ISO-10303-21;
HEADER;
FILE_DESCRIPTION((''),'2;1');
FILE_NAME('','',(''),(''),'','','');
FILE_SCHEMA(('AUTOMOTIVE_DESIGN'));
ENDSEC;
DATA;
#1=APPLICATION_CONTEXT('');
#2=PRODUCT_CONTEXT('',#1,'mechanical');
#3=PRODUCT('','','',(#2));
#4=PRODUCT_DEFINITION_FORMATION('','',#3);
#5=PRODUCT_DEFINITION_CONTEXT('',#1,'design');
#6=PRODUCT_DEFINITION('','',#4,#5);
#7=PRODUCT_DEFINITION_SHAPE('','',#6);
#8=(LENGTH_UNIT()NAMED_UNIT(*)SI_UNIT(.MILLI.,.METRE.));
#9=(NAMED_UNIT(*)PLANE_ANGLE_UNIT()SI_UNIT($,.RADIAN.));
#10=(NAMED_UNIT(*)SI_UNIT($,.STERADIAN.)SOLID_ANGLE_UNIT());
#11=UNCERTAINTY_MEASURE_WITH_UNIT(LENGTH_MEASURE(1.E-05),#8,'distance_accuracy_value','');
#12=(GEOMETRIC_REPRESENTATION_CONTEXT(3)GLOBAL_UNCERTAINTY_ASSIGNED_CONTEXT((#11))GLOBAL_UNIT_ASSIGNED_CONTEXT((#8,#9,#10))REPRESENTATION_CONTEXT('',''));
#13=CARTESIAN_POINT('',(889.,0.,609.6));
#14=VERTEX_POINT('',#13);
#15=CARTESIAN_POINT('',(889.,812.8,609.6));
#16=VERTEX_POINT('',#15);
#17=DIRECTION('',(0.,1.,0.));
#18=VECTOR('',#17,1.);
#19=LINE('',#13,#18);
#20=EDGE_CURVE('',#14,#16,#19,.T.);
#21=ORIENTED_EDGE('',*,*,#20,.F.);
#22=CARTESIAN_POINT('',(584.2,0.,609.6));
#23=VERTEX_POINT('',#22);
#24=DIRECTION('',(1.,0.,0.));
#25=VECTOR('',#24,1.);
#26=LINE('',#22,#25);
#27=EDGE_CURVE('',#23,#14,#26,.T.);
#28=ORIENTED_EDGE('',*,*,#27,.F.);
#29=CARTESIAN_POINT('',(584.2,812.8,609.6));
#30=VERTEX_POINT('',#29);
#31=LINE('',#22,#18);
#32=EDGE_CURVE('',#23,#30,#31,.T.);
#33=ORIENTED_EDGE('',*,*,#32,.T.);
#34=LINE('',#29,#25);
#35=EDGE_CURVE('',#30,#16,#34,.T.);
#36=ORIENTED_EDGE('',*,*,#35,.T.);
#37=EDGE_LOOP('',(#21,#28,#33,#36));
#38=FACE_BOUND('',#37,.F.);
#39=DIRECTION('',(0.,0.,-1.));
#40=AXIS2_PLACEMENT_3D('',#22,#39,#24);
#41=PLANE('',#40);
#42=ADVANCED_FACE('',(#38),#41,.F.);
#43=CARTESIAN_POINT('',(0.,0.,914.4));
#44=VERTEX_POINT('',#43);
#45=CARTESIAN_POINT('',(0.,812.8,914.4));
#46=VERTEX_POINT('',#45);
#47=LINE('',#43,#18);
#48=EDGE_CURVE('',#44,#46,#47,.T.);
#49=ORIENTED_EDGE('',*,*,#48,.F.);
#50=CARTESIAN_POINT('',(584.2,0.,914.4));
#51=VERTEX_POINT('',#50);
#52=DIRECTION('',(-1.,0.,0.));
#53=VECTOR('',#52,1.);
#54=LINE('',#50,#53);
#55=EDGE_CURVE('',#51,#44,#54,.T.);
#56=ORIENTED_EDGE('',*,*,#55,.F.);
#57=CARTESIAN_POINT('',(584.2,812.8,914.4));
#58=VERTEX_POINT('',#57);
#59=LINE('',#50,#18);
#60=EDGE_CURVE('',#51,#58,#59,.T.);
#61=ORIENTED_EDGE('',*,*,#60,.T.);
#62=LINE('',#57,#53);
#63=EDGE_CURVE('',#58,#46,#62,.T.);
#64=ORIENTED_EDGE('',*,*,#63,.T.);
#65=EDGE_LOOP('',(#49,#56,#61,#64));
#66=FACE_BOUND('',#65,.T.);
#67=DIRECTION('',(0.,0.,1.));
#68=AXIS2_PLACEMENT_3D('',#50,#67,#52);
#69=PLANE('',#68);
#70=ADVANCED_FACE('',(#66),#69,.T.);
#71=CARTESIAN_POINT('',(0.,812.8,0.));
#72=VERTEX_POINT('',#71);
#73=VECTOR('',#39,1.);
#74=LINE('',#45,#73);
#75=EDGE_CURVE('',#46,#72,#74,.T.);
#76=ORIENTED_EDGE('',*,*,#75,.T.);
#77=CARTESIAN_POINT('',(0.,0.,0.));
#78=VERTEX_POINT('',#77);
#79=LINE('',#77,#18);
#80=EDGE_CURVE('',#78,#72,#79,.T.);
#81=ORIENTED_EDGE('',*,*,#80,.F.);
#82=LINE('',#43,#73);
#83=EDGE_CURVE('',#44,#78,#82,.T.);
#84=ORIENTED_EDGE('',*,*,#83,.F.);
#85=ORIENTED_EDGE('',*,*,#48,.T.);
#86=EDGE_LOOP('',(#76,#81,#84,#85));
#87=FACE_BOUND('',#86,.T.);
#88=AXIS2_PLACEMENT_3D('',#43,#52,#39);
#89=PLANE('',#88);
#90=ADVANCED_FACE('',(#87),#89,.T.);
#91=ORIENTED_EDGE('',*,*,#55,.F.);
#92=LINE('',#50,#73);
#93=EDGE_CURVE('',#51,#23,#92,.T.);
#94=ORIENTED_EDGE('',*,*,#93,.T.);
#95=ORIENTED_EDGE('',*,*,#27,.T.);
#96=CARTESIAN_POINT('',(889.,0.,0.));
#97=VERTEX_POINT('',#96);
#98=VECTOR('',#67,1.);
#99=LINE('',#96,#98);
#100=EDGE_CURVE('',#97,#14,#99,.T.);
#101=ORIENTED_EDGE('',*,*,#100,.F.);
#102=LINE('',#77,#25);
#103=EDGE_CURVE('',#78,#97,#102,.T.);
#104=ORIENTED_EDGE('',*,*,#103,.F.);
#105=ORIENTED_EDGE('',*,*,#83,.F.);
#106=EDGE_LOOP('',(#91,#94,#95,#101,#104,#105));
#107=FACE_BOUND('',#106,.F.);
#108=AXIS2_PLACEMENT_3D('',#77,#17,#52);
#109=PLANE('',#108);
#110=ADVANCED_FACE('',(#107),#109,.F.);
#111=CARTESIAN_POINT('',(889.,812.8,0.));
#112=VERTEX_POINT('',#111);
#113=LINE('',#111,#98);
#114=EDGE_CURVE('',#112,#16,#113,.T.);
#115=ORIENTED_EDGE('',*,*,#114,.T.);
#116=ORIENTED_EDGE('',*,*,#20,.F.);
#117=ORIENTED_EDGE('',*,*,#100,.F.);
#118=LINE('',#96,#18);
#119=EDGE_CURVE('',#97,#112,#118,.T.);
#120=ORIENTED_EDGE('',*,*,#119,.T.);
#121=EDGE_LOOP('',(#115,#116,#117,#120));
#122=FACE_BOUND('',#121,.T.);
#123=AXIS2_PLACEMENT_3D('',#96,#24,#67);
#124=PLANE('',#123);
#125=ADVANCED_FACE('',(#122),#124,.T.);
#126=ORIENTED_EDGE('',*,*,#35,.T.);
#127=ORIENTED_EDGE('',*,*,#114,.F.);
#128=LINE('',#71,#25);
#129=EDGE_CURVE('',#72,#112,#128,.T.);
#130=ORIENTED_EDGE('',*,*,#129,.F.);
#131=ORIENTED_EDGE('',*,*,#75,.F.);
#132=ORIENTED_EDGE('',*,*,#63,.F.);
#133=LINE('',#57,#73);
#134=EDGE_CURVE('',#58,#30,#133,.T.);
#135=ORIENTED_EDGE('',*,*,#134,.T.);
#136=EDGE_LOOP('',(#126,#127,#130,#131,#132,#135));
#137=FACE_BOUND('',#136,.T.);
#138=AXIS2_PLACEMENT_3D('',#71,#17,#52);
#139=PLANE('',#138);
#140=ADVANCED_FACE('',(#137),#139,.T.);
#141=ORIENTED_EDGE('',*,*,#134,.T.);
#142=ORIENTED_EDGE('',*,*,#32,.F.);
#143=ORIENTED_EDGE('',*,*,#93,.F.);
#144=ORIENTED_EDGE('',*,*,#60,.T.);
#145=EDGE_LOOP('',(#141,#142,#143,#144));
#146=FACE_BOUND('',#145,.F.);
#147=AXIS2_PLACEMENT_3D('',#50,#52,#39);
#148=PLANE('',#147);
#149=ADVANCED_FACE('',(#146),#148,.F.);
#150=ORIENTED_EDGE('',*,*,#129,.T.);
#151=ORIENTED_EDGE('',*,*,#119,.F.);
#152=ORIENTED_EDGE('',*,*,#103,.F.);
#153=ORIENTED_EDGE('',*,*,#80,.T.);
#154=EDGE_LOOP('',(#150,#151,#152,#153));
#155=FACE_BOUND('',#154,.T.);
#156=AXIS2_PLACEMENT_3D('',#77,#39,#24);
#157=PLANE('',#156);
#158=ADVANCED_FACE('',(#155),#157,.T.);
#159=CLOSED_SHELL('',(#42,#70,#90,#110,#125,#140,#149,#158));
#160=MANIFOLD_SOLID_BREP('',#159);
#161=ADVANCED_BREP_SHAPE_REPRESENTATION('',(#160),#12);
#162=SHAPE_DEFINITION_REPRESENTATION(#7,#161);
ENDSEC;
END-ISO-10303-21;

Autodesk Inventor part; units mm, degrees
ref_plane "YZ Plane" through (0, 0, 0) normal (1, 0, 0) x (0, 1, 0)
ref_plane "XZ Plane" through (0, 0, 0) normal (0, 1, 0) x (-1, 0, 0)
ref_plane "XY Plane" through (0, 0, 0) normal (0, 0, 1) x (1, 0, 0)
sketch "Sketch1" plane through (0, 0, 0) normal (0, 1, 0) x (-1, 0, 0)
  line L0 (0, 0) -> (-889, 0)
  line L1 (-889, 0) -> (-889, 609.6)
  line L2 (-584.2, 914.4) -> (0, 914.4)
  line L3 (0, 914.4) -> (0, 0)
  line L4 (-584.2, 914.4) -> (-584.2, 609.6)
  line L5 (-584.2, 609.6) -> (-889, 609.6)
  dimension "d9" = 914.4
  dimension "d10" = 889
  dimension "d11" = 609.6
  dimension "d12" = 304.8
  dimension "d13" = 584.2
extrude "Extrusion1" add sketch "Sketch1" along normal blind 812.8
properties part number "Corner_Cabinet" material "Wood (Southern Pine)"
